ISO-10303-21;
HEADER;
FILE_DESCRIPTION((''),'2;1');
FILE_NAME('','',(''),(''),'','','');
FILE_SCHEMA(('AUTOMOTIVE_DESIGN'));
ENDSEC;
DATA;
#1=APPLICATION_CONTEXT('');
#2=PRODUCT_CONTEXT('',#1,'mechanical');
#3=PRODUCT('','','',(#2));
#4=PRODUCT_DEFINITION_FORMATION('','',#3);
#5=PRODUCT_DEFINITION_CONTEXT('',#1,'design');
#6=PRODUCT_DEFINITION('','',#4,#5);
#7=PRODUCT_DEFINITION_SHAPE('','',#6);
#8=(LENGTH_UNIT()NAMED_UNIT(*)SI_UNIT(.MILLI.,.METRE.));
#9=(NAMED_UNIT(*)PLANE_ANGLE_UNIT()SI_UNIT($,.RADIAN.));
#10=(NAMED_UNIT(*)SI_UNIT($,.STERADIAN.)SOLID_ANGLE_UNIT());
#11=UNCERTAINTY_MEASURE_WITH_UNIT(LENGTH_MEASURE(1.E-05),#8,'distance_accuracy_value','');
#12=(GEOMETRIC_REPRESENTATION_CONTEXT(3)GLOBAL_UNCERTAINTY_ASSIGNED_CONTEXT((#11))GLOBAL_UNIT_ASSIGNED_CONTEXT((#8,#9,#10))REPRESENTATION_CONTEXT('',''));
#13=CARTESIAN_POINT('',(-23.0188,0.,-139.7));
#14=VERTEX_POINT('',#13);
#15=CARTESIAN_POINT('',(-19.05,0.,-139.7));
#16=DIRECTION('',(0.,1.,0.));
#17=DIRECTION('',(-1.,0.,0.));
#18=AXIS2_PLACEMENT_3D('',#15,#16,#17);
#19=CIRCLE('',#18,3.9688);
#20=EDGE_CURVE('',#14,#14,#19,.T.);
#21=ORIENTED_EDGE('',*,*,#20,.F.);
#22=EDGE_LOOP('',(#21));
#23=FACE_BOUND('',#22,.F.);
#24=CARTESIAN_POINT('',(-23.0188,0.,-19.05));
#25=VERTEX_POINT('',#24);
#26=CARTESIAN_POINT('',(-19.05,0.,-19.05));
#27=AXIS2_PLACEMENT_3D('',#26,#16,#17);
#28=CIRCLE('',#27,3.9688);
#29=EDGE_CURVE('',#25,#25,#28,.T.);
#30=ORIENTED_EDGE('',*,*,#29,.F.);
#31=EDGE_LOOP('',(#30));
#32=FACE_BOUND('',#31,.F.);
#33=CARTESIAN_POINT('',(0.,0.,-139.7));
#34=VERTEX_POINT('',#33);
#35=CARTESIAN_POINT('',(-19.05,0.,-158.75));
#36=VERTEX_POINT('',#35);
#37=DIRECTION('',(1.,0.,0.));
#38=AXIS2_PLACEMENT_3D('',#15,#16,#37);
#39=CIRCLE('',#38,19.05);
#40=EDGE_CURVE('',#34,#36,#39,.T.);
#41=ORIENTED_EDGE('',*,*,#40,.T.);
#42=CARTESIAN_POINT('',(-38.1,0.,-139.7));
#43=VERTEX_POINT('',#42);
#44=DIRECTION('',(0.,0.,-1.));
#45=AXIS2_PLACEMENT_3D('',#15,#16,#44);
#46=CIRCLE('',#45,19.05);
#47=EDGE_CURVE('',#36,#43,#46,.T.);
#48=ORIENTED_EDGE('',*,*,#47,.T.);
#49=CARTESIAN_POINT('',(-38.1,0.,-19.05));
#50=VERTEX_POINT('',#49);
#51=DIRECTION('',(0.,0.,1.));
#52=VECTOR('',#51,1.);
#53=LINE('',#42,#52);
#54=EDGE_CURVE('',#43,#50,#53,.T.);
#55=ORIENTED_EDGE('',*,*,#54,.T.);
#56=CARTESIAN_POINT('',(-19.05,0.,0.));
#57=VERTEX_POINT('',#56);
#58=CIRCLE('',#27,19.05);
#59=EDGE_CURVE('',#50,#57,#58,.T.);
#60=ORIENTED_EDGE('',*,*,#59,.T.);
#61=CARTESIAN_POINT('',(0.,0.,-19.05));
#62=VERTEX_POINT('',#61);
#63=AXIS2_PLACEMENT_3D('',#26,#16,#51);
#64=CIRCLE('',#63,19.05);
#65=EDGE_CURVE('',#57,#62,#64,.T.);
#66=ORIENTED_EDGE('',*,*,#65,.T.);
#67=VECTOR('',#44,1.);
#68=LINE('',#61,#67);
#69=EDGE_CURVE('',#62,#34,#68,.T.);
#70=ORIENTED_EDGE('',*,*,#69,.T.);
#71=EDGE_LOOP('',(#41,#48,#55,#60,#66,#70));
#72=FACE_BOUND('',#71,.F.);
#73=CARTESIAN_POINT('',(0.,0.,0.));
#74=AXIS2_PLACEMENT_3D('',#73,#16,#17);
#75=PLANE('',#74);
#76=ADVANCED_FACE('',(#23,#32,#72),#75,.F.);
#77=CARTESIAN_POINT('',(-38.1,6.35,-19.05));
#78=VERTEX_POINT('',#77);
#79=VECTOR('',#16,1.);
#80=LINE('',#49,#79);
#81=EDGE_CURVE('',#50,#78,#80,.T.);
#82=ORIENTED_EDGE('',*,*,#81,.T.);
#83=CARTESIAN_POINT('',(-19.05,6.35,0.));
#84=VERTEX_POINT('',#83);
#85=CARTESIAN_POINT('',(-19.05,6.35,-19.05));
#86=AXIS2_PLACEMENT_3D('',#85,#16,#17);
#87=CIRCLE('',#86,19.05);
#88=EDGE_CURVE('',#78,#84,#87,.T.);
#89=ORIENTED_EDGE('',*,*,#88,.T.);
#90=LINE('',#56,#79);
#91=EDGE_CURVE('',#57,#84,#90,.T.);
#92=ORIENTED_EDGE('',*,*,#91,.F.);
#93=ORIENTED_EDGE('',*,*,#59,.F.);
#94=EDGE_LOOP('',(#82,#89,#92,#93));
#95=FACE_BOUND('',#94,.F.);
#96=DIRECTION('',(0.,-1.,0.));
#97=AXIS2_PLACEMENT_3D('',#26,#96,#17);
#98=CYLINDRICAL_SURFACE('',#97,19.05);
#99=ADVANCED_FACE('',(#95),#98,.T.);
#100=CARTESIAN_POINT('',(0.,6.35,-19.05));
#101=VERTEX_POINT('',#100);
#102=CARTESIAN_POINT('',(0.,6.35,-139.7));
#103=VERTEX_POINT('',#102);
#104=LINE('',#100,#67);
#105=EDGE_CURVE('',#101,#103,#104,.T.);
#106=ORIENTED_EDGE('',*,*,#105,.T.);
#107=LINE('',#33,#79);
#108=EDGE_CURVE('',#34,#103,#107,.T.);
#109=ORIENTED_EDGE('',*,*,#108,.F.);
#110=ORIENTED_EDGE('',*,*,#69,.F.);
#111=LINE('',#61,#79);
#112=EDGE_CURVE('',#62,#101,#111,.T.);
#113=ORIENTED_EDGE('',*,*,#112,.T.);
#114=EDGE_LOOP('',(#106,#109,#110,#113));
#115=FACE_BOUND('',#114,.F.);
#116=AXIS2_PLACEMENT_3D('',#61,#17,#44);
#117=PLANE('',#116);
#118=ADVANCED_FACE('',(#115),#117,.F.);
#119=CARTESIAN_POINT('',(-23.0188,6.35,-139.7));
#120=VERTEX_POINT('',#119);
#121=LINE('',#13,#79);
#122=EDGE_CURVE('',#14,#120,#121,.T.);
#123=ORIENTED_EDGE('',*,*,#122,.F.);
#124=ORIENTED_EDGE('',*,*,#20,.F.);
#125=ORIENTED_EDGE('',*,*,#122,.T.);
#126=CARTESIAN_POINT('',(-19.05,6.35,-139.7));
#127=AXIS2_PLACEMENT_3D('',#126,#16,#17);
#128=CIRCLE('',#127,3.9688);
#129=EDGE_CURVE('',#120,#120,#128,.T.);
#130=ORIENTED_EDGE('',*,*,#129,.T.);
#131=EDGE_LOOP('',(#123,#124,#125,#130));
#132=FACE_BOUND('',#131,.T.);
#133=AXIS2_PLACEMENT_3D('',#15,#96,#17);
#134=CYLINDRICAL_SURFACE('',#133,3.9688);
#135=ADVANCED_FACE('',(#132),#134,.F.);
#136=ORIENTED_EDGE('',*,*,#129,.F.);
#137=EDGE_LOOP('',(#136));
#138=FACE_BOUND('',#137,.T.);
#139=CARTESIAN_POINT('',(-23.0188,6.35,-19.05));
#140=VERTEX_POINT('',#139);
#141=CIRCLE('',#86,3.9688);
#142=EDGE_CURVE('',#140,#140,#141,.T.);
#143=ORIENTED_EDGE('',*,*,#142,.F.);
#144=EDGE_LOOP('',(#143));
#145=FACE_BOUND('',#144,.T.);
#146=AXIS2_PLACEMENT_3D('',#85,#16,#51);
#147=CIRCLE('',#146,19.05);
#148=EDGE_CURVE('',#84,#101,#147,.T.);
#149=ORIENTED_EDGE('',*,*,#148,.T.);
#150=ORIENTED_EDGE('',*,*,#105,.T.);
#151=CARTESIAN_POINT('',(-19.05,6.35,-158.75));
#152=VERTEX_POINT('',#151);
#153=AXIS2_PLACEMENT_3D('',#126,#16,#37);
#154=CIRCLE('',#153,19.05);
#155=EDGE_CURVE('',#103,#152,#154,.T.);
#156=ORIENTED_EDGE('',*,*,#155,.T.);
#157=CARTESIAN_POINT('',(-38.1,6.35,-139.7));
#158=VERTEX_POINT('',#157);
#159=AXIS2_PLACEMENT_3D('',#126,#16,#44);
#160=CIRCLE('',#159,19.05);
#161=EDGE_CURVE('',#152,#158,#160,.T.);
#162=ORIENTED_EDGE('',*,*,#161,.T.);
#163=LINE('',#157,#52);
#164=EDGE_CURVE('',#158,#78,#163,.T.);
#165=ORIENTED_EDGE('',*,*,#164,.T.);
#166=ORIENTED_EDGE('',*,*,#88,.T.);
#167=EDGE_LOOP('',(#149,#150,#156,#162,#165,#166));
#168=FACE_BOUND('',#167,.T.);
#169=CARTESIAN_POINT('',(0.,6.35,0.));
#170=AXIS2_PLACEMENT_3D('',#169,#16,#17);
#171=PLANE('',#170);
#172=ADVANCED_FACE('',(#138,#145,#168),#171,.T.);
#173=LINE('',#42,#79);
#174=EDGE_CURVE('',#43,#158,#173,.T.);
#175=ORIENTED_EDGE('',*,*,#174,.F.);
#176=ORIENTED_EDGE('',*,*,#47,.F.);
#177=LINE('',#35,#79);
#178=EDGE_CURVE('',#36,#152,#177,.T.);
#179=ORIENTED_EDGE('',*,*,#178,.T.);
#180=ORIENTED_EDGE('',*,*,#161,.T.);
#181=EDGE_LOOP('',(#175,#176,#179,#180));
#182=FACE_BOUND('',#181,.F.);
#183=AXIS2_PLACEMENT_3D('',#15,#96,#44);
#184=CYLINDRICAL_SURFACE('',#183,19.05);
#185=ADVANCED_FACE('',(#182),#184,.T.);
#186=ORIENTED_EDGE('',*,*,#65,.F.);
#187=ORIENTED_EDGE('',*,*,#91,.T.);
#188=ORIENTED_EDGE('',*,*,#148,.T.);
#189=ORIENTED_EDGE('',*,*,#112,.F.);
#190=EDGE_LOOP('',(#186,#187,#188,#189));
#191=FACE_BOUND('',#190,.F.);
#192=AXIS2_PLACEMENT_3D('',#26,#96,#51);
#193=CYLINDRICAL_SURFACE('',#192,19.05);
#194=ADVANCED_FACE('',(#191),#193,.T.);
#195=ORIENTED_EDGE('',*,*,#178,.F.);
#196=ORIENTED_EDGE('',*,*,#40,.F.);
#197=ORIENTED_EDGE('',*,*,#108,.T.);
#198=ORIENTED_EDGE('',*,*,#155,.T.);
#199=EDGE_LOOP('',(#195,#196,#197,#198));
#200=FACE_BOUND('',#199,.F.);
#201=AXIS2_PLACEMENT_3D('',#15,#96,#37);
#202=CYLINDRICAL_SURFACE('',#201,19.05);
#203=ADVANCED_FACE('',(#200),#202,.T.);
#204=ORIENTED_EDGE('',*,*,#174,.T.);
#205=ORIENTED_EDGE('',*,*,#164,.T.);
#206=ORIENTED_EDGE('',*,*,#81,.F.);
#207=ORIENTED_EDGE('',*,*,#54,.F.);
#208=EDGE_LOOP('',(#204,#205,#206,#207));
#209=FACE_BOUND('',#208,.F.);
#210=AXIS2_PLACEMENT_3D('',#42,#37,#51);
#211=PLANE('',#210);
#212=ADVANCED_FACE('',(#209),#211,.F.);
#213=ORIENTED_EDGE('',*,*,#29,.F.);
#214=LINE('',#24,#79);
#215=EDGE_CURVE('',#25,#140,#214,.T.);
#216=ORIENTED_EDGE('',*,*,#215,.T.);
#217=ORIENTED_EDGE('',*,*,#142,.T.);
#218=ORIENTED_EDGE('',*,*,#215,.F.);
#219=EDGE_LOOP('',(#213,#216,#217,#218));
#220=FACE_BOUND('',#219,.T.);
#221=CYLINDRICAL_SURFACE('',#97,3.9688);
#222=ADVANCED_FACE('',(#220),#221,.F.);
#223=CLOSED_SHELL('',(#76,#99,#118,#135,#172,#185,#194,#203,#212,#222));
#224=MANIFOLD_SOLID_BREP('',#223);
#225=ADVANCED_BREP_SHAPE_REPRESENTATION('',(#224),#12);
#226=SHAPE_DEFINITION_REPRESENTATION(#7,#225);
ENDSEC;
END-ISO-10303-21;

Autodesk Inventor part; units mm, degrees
ref_plane "YZ Plane" through (0, 0, 0) normal (1, 0, 0) x (0, 1, 0)
ref_plane "XZ Plane" through (0, 0, 0) normal (0, 1, 0) x (-1, 0, 0)
ref_plane "XY Plane" through (0, 0, 0) normal (0, 0, 1) x (1, 0, 0)
sketch "Sketch1" plane through (0, 0, 0) normal (0, 1, 0) x (-1, 0, 0)
  line L0 (0, -19.05) -> (0, -139.7)
  line L1 (19.05, -158.75) -> (19.05, -158.75)
  line L2 (38.1, -139.7) -> (38.1, -19.05)
  line L3 (19.05, 0) -> (19.05, 0)
  arc A0 (0, -139.7) -> (19.05, -158.75) centre (19.05, -139.7) ccw
  arc A1 (19.05, -158.75) -> (38.1, -139.7) centre (19.05, -139.7) ccw
  arc A2 (38.1, -19.05) -> (19.05, 0) centre (19.05, -19.05) ccw
  arc A3 (19.05, 0) -> (0, -19.05) centre (19.05, -19.05) ccw
  circle A4 centre (19.05, -19.05) radius 3.9688
  circle A5 centre (19.05, -139.7) radius 3.9688
  point P0 (0, 0)
  point P1 (0, -158.75)
  point P2 (38.1, -158.75)
  dimension "d0" = 38.1
  dimension "Outer_Arm_Length" = 158.75
  dimension "d2" = 19.05
  dimension "Shaft_Diameter" = 7.9375
  dimension "Pencil_Diameter" = 7.9375
extrude "Extrusion1" add sketch "Sketch1" along normal blind 6.35
properties part number "Outer Arm"
